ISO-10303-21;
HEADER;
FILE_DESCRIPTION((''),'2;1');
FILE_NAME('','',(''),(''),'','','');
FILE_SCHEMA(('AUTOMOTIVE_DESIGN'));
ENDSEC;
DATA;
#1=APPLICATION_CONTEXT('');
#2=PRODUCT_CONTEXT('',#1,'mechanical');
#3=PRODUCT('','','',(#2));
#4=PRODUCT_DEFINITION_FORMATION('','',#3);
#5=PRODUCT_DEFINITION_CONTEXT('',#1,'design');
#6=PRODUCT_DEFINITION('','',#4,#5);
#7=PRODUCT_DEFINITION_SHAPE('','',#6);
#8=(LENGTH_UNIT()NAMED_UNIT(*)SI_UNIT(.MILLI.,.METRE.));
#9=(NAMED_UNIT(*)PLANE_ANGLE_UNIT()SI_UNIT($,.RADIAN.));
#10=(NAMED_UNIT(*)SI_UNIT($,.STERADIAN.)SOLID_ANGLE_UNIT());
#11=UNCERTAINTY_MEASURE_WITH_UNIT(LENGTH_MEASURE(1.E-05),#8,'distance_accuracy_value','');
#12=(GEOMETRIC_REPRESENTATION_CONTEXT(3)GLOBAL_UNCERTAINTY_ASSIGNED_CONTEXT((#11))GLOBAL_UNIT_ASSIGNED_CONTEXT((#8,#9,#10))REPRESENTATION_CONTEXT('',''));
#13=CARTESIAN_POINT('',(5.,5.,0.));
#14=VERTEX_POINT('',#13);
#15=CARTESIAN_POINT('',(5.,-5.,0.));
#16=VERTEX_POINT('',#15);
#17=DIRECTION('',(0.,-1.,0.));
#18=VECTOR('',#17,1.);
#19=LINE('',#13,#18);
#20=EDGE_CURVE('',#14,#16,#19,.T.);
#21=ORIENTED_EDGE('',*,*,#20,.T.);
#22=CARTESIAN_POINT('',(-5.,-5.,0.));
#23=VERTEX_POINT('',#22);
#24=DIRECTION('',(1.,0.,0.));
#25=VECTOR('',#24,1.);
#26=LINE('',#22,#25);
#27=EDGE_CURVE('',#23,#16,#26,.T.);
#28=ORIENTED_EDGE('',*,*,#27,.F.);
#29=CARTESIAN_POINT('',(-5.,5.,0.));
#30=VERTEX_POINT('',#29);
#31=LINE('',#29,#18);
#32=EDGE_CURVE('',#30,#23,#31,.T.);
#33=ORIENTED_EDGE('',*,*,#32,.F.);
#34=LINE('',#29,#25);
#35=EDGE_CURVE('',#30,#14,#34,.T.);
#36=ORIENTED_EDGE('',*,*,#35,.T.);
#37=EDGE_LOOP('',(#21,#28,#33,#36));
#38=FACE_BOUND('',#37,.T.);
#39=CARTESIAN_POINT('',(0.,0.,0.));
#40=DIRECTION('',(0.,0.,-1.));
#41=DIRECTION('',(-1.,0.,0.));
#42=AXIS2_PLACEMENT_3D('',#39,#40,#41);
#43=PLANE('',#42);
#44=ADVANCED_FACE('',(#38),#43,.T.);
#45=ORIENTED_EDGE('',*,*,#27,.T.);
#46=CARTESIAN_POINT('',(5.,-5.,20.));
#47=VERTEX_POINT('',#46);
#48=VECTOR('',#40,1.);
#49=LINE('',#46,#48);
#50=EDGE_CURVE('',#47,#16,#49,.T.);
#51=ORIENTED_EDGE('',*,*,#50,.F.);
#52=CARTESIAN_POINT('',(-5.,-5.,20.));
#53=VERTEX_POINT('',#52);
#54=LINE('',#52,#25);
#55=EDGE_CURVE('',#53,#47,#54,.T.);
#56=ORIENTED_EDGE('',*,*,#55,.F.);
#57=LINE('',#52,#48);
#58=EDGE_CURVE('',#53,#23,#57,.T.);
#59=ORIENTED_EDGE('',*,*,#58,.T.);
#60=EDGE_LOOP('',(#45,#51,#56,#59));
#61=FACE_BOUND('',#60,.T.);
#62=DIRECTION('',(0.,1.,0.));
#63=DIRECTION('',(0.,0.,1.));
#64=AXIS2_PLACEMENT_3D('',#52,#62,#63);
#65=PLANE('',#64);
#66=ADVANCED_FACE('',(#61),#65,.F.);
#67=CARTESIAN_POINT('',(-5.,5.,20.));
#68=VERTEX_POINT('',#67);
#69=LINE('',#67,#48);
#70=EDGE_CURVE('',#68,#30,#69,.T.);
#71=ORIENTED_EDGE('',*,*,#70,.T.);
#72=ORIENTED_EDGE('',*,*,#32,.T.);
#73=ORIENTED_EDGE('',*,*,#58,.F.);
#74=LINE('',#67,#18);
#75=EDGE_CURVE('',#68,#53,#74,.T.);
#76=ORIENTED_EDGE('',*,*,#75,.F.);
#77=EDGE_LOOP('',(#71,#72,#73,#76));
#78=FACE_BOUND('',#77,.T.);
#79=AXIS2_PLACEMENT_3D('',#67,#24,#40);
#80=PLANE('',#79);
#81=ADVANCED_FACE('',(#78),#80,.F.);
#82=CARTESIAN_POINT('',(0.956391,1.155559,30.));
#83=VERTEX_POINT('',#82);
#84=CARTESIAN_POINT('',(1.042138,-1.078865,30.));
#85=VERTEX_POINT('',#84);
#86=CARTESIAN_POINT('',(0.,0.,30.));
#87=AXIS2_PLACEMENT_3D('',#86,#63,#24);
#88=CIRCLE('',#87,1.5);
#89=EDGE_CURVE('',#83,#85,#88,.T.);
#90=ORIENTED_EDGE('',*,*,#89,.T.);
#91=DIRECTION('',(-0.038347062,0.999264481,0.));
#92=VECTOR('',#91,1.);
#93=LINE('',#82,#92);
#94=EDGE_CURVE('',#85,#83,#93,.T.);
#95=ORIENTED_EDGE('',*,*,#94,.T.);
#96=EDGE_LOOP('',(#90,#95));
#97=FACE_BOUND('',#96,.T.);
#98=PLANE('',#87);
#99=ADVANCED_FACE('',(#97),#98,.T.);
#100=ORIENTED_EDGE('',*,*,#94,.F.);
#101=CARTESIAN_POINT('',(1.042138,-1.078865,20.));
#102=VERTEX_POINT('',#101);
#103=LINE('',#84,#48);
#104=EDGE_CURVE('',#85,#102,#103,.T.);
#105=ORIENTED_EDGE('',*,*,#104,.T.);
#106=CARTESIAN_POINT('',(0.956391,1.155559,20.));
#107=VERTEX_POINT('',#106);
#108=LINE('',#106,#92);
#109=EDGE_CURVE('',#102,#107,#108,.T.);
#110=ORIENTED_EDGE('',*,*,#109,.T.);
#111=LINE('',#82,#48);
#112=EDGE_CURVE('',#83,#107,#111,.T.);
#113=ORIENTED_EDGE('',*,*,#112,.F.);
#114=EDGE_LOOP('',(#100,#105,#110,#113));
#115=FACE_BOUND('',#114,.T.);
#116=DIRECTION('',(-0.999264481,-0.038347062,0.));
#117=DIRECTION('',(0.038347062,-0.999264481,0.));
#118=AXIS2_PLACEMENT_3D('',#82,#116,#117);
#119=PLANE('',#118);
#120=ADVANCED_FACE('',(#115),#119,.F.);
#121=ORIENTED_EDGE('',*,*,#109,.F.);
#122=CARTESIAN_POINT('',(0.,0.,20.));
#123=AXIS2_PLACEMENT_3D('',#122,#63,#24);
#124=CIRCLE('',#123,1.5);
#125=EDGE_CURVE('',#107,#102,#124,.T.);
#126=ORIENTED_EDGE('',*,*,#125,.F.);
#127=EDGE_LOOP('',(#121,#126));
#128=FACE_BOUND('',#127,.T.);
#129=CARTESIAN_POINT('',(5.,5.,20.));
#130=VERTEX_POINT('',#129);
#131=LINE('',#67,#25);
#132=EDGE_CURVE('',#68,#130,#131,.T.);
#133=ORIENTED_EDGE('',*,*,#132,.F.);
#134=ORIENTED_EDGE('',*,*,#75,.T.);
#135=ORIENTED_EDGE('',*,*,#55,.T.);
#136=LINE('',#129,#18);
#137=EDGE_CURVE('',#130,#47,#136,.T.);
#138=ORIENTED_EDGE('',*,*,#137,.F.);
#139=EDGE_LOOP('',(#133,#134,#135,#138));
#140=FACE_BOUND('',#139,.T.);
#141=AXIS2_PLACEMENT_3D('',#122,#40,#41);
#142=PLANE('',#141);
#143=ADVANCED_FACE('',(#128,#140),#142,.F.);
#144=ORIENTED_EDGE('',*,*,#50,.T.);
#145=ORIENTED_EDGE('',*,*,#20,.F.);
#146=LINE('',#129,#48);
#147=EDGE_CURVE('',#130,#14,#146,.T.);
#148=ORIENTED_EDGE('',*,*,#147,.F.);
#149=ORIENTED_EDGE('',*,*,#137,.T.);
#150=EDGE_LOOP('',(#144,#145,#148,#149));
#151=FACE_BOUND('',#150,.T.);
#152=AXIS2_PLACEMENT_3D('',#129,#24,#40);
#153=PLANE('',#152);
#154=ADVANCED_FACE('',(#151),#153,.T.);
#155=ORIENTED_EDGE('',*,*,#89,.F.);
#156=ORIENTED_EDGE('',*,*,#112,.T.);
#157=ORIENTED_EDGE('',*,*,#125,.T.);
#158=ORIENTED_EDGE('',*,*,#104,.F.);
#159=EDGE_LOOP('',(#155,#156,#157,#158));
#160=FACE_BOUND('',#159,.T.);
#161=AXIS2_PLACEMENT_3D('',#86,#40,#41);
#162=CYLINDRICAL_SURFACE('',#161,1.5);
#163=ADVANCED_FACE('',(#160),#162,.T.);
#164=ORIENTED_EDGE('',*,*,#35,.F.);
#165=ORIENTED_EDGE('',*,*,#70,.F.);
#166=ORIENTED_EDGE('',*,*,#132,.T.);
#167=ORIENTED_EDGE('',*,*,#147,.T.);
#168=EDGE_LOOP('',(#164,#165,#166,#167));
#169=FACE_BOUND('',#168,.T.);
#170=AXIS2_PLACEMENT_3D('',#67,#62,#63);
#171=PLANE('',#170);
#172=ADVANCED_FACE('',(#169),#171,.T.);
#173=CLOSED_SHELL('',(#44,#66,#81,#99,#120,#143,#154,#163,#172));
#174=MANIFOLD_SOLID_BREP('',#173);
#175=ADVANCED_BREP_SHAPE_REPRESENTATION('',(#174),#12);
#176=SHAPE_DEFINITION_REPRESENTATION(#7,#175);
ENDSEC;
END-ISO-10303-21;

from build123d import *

# Parameters (mm, degrees)
SKETCH1_W           = 10
SKETCH1_H           = 10
BOSS_EXTRUDE1_DEPTH = 20
BOSS_EXTRUDE2_DEPTH = 10


with BuildPart() as part:
    # Sketch1 → Boss-Extrude1 (new body)
    with BuildSketch(Plane.XY):
        Rectangle(SKETCH1_W, SKETCH1_H)
    extrude(amount=BOSS_EXTRUDE1_DEPTH)

    # Sketch2 → Boss-Extrude2 (add)
    with BuildSketch(Plane.XY.offset(20)):
        with BuildLine():
            Line((0.956391162, 1.155558716), (1.0421378, -1.078864591))
            ThreePointArc((1.0421378, -1.078864591), (-1.498896721, -0.057520593), (0.956391162, 1.155558716))
        make_face()
    extrude(amount=BOSS_EXTRUDE2_DEPTH)


solid = part.part
